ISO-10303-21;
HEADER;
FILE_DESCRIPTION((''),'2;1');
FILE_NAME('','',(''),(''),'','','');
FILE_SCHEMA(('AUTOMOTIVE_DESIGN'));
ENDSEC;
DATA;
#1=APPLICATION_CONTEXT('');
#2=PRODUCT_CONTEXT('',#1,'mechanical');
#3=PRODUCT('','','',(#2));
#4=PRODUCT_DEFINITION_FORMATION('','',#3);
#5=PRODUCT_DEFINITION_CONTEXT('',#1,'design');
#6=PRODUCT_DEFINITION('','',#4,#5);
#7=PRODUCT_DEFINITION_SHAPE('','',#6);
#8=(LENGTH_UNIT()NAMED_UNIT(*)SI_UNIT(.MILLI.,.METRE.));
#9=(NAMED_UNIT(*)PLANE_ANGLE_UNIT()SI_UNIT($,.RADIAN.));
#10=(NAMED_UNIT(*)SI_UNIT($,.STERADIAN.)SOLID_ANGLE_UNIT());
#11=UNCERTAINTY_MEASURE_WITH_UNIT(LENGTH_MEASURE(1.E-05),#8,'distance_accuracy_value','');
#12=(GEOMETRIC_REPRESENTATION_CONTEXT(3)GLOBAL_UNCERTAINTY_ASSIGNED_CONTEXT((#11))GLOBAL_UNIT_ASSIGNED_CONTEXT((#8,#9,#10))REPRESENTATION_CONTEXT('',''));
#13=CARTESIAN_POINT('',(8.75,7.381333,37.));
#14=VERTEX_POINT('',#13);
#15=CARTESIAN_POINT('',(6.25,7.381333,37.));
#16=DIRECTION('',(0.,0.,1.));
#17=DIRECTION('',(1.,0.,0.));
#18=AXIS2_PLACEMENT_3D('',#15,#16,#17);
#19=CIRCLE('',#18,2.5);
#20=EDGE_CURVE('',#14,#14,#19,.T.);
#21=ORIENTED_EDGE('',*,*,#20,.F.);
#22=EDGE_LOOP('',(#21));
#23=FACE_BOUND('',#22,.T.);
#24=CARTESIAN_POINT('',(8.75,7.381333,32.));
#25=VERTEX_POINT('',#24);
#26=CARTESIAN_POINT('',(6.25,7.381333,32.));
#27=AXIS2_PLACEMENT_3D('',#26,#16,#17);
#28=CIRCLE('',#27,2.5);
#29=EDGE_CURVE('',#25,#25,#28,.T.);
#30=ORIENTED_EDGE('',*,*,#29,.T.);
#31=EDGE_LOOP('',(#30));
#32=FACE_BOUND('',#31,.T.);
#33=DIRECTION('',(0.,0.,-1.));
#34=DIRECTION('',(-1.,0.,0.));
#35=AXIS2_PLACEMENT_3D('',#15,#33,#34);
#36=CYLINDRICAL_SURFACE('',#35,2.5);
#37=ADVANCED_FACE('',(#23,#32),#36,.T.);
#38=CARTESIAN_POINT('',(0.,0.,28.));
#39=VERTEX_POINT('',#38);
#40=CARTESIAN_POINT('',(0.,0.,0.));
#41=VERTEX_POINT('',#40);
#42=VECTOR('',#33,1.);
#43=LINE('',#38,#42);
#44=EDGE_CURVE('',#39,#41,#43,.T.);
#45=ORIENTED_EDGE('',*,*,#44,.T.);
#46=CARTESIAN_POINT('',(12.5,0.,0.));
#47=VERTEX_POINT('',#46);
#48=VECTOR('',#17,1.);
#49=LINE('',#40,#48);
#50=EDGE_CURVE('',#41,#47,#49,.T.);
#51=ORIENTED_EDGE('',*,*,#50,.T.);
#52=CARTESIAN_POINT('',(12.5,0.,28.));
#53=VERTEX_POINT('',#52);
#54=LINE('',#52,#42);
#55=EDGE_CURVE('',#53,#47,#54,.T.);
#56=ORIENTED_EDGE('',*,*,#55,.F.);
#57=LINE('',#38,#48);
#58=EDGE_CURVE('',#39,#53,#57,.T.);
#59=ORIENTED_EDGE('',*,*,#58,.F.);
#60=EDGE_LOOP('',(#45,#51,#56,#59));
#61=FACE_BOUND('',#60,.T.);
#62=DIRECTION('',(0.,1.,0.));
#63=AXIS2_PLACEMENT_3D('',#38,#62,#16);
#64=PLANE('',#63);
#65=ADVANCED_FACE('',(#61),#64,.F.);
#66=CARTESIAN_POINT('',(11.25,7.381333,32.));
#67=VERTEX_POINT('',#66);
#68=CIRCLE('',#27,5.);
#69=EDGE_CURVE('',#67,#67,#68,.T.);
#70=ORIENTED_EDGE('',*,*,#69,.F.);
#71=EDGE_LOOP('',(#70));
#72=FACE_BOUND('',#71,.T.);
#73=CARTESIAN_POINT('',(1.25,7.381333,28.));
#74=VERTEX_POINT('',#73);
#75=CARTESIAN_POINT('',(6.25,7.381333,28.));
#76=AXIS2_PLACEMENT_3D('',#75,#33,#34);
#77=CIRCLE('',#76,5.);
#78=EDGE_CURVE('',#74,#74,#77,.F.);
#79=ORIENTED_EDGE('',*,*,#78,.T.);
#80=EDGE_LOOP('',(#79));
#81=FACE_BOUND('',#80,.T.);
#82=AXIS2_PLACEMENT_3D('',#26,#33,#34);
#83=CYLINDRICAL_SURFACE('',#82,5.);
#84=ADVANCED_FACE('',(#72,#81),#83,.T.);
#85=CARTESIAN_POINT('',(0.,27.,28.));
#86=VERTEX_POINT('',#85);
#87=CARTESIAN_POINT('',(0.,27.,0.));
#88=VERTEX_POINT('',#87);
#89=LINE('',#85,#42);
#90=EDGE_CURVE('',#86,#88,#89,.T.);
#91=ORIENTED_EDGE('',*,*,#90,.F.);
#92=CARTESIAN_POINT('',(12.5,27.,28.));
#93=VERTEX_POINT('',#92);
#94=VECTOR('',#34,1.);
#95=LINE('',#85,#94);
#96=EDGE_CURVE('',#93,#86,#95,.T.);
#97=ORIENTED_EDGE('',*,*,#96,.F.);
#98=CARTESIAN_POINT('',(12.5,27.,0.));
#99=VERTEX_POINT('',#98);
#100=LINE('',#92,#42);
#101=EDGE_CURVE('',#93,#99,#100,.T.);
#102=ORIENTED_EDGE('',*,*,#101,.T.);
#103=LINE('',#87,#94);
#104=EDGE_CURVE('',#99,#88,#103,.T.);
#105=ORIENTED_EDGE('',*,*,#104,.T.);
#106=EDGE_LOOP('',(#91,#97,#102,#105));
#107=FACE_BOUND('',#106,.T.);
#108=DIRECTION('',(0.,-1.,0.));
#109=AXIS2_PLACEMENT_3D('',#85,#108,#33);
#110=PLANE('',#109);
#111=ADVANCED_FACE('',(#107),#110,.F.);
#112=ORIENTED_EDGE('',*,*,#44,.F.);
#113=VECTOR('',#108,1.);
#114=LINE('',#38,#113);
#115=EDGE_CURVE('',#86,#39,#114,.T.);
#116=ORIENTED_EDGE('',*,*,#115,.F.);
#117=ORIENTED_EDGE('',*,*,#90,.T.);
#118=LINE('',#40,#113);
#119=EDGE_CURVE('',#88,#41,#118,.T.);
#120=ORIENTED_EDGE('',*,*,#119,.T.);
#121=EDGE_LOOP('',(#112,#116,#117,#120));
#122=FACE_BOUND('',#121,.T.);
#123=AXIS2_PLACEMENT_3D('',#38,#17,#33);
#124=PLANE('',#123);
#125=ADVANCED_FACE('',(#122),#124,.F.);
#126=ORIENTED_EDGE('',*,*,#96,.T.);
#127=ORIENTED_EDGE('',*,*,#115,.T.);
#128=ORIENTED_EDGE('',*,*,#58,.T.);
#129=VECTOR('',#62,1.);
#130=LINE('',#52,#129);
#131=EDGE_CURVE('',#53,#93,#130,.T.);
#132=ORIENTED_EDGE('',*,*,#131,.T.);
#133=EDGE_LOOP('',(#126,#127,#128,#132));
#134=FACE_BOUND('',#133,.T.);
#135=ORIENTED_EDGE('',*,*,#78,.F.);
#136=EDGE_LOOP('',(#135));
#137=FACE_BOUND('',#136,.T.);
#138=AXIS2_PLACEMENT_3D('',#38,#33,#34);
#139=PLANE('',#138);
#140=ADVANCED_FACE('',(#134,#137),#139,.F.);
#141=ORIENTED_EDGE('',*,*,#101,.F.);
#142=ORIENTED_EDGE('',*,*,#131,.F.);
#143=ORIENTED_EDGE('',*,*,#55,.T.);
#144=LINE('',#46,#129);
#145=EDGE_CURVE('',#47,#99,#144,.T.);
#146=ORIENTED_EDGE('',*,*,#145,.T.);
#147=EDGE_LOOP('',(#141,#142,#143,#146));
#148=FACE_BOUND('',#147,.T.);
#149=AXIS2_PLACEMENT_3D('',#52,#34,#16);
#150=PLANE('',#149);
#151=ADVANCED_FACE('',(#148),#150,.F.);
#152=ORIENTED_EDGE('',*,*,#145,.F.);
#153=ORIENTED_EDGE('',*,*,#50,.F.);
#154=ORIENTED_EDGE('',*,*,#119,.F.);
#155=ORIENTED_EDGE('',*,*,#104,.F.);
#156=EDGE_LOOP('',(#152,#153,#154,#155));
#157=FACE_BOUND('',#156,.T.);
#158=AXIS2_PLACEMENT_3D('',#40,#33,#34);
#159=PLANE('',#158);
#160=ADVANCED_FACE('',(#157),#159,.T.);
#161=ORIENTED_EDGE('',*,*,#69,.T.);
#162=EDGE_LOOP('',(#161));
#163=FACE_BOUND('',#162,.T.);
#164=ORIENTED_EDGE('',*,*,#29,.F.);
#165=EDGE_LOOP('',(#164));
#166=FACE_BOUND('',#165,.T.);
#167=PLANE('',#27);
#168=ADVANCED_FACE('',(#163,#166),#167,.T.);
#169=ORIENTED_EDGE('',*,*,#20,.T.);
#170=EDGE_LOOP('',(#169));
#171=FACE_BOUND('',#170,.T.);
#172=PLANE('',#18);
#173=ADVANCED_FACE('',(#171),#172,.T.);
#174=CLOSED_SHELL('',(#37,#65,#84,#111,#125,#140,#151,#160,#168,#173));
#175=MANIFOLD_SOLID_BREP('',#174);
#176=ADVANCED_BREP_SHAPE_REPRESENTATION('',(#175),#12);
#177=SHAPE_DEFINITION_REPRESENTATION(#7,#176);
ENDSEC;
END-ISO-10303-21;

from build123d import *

# Parameters (mm, degrees)
SKETCH2_W           = 12.5
SKETCH2_H           = 27
BOSS_EXTRUDE1_DEPTH = 28
SKETCH3_R           = 5
BOSS_EXTRUDE2_DEPTH = 4
SKETCH4_R           = 2.5
BOSS_EXTRUDE3_DEPTH = 5


with BuildPart() as part:
    # Sketch2 → Boss-Extrude1 (new body)
    with BuildSketch(Plane.XY):
        with Locations((6.25, 13.5)):
            Rectangle(SKETCH2_W, SKETCH2_H)
    extrude(amount=BOSS_EXTRUDE1_DEPTH)

    # Sketch3 → Boss-Extrude2 (add)
    with BuildSketch(Plane.XY.offset(28)):
        with Locations(Location((6.25, 7.381333163, 0), (0, 0, 180))):
            Circle(SKETCH3_R)
    extrude(amount=BOSS_EXTRUDE2_DEPTH)

    # Sketch4 → Boss-Extrude3 (add)
    with BuildSketch(Plane.XY.offset(32)):
        with Locations((6.25, 7.381333163)):
            Circle(SKETCH4_R)
    extrude(amount=BOSS_EXTRUDE3_DEPTH)


solid = part.part
